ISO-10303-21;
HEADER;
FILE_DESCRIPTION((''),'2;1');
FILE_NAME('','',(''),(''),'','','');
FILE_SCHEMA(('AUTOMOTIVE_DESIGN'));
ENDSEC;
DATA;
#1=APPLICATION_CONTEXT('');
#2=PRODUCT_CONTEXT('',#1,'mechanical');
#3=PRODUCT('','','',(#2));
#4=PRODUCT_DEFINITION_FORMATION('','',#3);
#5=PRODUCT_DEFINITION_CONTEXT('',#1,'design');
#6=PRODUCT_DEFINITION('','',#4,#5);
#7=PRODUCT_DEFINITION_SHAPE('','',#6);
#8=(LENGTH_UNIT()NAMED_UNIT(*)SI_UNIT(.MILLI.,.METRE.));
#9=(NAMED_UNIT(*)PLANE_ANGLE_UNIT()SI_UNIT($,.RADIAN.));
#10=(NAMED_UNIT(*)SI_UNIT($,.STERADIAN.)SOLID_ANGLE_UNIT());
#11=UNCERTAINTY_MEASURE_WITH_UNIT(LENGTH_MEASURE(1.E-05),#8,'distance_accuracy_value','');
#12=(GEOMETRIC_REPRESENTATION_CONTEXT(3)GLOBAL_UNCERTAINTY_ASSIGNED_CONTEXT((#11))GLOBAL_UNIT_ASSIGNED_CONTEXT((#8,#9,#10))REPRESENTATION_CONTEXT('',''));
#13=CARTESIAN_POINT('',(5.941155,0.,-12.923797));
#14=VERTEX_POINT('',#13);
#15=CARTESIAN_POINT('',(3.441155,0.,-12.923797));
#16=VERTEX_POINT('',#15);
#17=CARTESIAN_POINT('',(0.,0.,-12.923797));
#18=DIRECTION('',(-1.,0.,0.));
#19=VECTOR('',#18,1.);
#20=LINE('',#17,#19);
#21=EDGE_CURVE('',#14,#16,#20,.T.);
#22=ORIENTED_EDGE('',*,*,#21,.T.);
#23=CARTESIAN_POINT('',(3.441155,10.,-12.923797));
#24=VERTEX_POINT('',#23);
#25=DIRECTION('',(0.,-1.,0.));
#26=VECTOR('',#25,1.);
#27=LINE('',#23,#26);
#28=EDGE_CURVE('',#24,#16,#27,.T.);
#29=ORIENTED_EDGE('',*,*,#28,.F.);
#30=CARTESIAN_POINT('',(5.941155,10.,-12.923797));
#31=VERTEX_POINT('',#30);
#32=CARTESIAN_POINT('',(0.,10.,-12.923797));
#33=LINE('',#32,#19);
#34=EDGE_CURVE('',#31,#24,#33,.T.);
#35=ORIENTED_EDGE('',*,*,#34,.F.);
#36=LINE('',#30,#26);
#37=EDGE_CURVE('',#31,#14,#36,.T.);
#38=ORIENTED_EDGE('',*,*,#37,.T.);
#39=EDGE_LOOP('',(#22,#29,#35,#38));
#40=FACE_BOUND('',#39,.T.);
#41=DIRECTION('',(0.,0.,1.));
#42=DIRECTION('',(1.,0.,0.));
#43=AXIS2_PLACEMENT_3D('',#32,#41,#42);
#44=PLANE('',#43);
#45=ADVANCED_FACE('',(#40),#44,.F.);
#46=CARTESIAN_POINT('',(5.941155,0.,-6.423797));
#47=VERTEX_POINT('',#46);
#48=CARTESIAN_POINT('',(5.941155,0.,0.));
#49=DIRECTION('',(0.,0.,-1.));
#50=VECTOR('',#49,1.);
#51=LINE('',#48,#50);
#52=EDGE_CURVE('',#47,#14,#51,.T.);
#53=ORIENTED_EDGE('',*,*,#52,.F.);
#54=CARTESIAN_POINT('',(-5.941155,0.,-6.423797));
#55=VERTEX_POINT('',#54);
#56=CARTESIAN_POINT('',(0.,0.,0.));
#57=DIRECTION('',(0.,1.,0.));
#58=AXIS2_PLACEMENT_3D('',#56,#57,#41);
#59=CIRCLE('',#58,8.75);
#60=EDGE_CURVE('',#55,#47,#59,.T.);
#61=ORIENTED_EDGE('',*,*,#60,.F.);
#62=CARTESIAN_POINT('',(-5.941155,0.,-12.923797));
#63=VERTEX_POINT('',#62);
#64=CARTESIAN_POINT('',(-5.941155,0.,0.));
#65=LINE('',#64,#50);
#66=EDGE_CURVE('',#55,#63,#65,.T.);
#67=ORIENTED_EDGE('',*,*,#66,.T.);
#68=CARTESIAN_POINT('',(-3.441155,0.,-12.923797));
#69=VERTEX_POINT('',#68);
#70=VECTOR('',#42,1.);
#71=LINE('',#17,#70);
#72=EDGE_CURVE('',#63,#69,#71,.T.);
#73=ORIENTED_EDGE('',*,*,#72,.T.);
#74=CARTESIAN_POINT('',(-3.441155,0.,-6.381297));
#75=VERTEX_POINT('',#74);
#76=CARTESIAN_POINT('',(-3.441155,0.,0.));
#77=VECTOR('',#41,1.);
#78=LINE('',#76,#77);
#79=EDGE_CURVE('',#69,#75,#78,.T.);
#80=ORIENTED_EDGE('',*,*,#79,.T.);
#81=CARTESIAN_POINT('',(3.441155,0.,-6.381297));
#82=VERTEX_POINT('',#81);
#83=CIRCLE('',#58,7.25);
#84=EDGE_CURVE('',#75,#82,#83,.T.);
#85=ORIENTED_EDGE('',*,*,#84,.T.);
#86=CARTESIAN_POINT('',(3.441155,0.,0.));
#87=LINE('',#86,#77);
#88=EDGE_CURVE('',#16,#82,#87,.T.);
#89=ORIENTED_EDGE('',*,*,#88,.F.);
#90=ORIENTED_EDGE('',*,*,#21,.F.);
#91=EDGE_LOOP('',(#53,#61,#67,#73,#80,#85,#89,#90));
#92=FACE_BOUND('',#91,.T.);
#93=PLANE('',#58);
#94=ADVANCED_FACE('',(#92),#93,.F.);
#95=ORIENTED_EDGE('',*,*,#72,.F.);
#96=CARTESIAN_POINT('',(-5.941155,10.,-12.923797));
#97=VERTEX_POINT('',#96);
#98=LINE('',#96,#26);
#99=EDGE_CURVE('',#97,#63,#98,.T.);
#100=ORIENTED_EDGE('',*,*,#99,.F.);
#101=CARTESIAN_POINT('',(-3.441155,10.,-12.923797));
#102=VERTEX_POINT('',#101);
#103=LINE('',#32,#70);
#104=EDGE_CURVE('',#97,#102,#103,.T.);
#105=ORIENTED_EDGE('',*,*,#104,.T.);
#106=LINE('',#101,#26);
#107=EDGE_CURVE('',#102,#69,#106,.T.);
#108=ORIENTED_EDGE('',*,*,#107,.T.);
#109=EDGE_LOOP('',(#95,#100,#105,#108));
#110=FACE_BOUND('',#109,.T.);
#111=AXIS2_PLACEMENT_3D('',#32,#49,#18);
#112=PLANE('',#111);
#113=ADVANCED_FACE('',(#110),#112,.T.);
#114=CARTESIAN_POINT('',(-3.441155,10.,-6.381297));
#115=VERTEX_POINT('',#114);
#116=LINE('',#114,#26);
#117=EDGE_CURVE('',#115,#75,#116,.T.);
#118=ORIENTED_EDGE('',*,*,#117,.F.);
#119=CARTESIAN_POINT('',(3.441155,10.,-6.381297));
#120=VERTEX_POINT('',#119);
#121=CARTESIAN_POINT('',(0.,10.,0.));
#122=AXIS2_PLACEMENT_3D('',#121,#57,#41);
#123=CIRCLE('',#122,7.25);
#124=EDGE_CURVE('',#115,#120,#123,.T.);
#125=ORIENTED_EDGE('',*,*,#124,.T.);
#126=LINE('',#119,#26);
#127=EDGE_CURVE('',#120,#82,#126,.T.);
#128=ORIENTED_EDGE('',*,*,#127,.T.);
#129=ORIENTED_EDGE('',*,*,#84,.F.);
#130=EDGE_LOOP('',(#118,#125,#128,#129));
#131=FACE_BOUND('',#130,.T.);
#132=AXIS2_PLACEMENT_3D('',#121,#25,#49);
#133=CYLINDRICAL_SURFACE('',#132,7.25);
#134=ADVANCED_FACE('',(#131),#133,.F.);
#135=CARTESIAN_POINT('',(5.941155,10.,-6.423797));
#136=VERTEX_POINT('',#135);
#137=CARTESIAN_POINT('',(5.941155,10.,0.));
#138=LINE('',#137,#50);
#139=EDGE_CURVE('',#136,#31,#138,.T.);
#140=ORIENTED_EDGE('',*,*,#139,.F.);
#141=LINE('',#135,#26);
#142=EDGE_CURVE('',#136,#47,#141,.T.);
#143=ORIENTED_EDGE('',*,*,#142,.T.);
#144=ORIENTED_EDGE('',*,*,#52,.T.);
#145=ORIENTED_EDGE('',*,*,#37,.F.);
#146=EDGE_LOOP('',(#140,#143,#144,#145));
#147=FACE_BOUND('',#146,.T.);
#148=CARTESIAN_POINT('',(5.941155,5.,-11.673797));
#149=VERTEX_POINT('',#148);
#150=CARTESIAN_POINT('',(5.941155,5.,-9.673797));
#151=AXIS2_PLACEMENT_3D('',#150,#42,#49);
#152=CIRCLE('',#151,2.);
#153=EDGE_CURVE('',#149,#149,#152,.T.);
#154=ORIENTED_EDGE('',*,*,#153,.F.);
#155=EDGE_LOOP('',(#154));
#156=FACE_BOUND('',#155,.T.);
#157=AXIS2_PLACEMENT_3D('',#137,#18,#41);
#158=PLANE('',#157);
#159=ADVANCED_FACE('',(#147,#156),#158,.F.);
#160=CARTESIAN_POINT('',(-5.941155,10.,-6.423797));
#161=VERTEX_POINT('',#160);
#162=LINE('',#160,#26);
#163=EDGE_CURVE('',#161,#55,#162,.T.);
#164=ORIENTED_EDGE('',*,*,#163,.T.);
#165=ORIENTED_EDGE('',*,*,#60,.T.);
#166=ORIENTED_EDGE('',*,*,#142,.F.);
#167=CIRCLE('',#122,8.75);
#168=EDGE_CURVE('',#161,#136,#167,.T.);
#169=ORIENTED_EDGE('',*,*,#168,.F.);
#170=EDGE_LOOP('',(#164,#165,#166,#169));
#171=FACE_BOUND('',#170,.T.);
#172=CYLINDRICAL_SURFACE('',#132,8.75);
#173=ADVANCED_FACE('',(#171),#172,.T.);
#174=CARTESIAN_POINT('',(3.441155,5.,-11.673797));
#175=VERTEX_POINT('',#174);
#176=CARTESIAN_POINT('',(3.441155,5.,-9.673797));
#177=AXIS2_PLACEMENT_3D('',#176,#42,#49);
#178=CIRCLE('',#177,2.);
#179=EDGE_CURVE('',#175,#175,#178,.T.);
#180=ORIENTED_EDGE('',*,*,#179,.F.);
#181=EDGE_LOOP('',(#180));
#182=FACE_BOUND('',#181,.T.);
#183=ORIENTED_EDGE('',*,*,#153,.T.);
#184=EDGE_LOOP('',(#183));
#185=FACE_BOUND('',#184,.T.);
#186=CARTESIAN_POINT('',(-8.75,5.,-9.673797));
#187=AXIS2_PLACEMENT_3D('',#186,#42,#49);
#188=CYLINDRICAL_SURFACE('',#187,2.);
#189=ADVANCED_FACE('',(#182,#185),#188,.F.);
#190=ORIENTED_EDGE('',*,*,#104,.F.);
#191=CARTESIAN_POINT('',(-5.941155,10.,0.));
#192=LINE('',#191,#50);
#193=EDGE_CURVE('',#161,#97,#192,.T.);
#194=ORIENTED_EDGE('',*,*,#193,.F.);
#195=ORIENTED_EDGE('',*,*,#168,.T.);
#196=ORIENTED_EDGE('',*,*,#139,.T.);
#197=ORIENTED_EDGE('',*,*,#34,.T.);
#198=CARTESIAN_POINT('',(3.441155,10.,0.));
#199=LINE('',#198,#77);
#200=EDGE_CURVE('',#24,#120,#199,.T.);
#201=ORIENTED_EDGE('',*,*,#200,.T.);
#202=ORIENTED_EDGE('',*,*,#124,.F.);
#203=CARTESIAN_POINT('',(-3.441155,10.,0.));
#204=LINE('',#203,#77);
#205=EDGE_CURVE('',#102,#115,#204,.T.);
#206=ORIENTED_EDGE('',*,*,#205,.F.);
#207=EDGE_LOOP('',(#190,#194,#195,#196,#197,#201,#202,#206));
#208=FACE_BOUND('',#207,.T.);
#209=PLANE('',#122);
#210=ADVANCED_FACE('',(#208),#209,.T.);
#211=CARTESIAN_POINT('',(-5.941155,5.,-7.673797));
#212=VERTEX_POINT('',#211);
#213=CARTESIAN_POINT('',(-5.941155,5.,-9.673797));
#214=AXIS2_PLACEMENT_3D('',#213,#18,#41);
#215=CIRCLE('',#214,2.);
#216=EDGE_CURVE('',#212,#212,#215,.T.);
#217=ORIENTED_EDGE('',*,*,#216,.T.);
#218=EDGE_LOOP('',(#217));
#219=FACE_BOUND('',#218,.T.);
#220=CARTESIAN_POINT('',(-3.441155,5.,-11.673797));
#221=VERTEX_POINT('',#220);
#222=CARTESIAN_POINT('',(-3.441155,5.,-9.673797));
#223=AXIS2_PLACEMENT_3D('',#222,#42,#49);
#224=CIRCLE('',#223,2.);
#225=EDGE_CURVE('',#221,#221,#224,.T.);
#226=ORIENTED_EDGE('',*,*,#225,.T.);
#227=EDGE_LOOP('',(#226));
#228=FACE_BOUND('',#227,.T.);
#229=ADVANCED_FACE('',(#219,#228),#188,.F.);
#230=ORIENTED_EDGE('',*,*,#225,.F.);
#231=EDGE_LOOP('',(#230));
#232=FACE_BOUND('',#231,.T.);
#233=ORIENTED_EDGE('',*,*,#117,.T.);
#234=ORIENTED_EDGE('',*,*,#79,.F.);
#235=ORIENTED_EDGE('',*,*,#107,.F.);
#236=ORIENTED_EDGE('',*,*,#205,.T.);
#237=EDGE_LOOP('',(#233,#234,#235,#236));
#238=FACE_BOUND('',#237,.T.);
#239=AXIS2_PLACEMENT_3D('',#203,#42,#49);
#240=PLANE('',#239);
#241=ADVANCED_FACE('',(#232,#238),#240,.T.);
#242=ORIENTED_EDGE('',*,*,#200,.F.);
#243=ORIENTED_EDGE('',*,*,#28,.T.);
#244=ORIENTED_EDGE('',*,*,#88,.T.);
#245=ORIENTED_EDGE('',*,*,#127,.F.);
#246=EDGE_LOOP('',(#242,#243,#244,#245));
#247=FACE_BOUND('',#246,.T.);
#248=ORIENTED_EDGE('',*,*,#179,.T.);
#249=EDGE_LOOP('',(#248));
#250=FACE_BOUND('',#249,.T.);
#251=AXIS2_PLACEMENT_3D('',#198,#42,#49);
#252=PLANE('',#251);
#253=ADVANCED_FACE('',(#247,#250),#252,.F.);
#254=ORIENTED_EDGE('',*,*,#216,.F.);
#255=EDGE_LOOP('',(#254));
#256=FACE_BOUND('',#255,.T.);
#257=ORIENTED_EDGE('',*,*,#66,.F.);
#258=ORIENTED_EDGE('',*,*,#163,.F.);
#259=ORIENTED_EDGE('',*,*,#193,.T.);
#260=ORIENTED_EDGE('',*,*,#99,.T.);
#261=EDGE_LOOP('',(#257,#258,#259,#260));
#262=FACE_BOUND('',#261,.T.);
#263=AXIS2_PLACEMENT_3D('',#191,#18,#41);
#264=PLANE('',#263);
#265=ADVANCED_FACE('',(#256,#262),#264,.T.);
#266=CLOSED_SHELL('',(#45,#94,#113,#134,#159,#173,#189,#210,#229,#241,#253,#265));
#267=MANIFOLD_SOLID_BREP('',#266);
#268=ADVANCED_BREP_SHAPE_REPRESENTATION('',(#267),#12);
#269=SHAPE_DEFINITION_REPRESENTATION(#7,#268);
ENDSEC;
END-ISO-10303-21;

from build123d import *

# Parameters (mm, degrees)
BOSS_EXTRUDE1_DEPTH = 10
SKETCH2_R           = 2
CUT_EXTRUDE1_DEPTH  = 22.973952412


with BuildPart() as part:
    # Sketch1 → Boss-Extrude1 (new body)
    with BuildSketch(Plane(origin=(0, 0, 0), x_dir=(1, 0, 0), z_dir=(0, 1, 0))):
        with BuildLine():
            Line((-5.941155294, 12.923797457), (-5.941155294, 6.423797457))
            ThreePointArc((-5.941155294, 6.423797457), (0, -8.75), (5.941155294, 6.423797457))
            Line((5.941155294, 6.423797457), (5.941155294, 12.923797457))
            Line((5.941155294, 12.923797457), (3.441155294, 12.923797457))
            Line((3.441155294, 12.923797457), (3.441155294, 8.044933203))
            Line((3.441155294, 8.044933203), (3.441155294, 6.381296909))
            ThreePointArc((3.441155294, 6.381296909), (6.22538657, 3.715785524), (7.25, 0))
            ThreePointArc((7.25, 0), (-3.715785524, -6.22538657), (-3.441155294, 6.381296909))
            Line((-3.441155294, 6.381296909), (-3.441155294, 8.044933203))
            Line((-3.441155294, 8.044933203), (-3.441155294, 12.923797457))
            Line((-3.441155294, 12.923797457), (-5.941155294, 12.923797457))
        make_face()
    extrude(amount=BOSS_EXTRUDE1_DEPTH)

    # Sketch2 → Cut-Extrude1 (cut, through all)
    with BuildSketch(Plane(origin=(5.941155294, 0, 0), x_dir=(0, 0, -1), z_dir=(1, 0, 0))):
        with Locations((9.673797457, 5)):
            Circle(SKETCH2_R)
    extrude(amount=-CUT_EXTRUDE1_DEPTH, mode=Mode.SUBTRACT)


solid = part.part
